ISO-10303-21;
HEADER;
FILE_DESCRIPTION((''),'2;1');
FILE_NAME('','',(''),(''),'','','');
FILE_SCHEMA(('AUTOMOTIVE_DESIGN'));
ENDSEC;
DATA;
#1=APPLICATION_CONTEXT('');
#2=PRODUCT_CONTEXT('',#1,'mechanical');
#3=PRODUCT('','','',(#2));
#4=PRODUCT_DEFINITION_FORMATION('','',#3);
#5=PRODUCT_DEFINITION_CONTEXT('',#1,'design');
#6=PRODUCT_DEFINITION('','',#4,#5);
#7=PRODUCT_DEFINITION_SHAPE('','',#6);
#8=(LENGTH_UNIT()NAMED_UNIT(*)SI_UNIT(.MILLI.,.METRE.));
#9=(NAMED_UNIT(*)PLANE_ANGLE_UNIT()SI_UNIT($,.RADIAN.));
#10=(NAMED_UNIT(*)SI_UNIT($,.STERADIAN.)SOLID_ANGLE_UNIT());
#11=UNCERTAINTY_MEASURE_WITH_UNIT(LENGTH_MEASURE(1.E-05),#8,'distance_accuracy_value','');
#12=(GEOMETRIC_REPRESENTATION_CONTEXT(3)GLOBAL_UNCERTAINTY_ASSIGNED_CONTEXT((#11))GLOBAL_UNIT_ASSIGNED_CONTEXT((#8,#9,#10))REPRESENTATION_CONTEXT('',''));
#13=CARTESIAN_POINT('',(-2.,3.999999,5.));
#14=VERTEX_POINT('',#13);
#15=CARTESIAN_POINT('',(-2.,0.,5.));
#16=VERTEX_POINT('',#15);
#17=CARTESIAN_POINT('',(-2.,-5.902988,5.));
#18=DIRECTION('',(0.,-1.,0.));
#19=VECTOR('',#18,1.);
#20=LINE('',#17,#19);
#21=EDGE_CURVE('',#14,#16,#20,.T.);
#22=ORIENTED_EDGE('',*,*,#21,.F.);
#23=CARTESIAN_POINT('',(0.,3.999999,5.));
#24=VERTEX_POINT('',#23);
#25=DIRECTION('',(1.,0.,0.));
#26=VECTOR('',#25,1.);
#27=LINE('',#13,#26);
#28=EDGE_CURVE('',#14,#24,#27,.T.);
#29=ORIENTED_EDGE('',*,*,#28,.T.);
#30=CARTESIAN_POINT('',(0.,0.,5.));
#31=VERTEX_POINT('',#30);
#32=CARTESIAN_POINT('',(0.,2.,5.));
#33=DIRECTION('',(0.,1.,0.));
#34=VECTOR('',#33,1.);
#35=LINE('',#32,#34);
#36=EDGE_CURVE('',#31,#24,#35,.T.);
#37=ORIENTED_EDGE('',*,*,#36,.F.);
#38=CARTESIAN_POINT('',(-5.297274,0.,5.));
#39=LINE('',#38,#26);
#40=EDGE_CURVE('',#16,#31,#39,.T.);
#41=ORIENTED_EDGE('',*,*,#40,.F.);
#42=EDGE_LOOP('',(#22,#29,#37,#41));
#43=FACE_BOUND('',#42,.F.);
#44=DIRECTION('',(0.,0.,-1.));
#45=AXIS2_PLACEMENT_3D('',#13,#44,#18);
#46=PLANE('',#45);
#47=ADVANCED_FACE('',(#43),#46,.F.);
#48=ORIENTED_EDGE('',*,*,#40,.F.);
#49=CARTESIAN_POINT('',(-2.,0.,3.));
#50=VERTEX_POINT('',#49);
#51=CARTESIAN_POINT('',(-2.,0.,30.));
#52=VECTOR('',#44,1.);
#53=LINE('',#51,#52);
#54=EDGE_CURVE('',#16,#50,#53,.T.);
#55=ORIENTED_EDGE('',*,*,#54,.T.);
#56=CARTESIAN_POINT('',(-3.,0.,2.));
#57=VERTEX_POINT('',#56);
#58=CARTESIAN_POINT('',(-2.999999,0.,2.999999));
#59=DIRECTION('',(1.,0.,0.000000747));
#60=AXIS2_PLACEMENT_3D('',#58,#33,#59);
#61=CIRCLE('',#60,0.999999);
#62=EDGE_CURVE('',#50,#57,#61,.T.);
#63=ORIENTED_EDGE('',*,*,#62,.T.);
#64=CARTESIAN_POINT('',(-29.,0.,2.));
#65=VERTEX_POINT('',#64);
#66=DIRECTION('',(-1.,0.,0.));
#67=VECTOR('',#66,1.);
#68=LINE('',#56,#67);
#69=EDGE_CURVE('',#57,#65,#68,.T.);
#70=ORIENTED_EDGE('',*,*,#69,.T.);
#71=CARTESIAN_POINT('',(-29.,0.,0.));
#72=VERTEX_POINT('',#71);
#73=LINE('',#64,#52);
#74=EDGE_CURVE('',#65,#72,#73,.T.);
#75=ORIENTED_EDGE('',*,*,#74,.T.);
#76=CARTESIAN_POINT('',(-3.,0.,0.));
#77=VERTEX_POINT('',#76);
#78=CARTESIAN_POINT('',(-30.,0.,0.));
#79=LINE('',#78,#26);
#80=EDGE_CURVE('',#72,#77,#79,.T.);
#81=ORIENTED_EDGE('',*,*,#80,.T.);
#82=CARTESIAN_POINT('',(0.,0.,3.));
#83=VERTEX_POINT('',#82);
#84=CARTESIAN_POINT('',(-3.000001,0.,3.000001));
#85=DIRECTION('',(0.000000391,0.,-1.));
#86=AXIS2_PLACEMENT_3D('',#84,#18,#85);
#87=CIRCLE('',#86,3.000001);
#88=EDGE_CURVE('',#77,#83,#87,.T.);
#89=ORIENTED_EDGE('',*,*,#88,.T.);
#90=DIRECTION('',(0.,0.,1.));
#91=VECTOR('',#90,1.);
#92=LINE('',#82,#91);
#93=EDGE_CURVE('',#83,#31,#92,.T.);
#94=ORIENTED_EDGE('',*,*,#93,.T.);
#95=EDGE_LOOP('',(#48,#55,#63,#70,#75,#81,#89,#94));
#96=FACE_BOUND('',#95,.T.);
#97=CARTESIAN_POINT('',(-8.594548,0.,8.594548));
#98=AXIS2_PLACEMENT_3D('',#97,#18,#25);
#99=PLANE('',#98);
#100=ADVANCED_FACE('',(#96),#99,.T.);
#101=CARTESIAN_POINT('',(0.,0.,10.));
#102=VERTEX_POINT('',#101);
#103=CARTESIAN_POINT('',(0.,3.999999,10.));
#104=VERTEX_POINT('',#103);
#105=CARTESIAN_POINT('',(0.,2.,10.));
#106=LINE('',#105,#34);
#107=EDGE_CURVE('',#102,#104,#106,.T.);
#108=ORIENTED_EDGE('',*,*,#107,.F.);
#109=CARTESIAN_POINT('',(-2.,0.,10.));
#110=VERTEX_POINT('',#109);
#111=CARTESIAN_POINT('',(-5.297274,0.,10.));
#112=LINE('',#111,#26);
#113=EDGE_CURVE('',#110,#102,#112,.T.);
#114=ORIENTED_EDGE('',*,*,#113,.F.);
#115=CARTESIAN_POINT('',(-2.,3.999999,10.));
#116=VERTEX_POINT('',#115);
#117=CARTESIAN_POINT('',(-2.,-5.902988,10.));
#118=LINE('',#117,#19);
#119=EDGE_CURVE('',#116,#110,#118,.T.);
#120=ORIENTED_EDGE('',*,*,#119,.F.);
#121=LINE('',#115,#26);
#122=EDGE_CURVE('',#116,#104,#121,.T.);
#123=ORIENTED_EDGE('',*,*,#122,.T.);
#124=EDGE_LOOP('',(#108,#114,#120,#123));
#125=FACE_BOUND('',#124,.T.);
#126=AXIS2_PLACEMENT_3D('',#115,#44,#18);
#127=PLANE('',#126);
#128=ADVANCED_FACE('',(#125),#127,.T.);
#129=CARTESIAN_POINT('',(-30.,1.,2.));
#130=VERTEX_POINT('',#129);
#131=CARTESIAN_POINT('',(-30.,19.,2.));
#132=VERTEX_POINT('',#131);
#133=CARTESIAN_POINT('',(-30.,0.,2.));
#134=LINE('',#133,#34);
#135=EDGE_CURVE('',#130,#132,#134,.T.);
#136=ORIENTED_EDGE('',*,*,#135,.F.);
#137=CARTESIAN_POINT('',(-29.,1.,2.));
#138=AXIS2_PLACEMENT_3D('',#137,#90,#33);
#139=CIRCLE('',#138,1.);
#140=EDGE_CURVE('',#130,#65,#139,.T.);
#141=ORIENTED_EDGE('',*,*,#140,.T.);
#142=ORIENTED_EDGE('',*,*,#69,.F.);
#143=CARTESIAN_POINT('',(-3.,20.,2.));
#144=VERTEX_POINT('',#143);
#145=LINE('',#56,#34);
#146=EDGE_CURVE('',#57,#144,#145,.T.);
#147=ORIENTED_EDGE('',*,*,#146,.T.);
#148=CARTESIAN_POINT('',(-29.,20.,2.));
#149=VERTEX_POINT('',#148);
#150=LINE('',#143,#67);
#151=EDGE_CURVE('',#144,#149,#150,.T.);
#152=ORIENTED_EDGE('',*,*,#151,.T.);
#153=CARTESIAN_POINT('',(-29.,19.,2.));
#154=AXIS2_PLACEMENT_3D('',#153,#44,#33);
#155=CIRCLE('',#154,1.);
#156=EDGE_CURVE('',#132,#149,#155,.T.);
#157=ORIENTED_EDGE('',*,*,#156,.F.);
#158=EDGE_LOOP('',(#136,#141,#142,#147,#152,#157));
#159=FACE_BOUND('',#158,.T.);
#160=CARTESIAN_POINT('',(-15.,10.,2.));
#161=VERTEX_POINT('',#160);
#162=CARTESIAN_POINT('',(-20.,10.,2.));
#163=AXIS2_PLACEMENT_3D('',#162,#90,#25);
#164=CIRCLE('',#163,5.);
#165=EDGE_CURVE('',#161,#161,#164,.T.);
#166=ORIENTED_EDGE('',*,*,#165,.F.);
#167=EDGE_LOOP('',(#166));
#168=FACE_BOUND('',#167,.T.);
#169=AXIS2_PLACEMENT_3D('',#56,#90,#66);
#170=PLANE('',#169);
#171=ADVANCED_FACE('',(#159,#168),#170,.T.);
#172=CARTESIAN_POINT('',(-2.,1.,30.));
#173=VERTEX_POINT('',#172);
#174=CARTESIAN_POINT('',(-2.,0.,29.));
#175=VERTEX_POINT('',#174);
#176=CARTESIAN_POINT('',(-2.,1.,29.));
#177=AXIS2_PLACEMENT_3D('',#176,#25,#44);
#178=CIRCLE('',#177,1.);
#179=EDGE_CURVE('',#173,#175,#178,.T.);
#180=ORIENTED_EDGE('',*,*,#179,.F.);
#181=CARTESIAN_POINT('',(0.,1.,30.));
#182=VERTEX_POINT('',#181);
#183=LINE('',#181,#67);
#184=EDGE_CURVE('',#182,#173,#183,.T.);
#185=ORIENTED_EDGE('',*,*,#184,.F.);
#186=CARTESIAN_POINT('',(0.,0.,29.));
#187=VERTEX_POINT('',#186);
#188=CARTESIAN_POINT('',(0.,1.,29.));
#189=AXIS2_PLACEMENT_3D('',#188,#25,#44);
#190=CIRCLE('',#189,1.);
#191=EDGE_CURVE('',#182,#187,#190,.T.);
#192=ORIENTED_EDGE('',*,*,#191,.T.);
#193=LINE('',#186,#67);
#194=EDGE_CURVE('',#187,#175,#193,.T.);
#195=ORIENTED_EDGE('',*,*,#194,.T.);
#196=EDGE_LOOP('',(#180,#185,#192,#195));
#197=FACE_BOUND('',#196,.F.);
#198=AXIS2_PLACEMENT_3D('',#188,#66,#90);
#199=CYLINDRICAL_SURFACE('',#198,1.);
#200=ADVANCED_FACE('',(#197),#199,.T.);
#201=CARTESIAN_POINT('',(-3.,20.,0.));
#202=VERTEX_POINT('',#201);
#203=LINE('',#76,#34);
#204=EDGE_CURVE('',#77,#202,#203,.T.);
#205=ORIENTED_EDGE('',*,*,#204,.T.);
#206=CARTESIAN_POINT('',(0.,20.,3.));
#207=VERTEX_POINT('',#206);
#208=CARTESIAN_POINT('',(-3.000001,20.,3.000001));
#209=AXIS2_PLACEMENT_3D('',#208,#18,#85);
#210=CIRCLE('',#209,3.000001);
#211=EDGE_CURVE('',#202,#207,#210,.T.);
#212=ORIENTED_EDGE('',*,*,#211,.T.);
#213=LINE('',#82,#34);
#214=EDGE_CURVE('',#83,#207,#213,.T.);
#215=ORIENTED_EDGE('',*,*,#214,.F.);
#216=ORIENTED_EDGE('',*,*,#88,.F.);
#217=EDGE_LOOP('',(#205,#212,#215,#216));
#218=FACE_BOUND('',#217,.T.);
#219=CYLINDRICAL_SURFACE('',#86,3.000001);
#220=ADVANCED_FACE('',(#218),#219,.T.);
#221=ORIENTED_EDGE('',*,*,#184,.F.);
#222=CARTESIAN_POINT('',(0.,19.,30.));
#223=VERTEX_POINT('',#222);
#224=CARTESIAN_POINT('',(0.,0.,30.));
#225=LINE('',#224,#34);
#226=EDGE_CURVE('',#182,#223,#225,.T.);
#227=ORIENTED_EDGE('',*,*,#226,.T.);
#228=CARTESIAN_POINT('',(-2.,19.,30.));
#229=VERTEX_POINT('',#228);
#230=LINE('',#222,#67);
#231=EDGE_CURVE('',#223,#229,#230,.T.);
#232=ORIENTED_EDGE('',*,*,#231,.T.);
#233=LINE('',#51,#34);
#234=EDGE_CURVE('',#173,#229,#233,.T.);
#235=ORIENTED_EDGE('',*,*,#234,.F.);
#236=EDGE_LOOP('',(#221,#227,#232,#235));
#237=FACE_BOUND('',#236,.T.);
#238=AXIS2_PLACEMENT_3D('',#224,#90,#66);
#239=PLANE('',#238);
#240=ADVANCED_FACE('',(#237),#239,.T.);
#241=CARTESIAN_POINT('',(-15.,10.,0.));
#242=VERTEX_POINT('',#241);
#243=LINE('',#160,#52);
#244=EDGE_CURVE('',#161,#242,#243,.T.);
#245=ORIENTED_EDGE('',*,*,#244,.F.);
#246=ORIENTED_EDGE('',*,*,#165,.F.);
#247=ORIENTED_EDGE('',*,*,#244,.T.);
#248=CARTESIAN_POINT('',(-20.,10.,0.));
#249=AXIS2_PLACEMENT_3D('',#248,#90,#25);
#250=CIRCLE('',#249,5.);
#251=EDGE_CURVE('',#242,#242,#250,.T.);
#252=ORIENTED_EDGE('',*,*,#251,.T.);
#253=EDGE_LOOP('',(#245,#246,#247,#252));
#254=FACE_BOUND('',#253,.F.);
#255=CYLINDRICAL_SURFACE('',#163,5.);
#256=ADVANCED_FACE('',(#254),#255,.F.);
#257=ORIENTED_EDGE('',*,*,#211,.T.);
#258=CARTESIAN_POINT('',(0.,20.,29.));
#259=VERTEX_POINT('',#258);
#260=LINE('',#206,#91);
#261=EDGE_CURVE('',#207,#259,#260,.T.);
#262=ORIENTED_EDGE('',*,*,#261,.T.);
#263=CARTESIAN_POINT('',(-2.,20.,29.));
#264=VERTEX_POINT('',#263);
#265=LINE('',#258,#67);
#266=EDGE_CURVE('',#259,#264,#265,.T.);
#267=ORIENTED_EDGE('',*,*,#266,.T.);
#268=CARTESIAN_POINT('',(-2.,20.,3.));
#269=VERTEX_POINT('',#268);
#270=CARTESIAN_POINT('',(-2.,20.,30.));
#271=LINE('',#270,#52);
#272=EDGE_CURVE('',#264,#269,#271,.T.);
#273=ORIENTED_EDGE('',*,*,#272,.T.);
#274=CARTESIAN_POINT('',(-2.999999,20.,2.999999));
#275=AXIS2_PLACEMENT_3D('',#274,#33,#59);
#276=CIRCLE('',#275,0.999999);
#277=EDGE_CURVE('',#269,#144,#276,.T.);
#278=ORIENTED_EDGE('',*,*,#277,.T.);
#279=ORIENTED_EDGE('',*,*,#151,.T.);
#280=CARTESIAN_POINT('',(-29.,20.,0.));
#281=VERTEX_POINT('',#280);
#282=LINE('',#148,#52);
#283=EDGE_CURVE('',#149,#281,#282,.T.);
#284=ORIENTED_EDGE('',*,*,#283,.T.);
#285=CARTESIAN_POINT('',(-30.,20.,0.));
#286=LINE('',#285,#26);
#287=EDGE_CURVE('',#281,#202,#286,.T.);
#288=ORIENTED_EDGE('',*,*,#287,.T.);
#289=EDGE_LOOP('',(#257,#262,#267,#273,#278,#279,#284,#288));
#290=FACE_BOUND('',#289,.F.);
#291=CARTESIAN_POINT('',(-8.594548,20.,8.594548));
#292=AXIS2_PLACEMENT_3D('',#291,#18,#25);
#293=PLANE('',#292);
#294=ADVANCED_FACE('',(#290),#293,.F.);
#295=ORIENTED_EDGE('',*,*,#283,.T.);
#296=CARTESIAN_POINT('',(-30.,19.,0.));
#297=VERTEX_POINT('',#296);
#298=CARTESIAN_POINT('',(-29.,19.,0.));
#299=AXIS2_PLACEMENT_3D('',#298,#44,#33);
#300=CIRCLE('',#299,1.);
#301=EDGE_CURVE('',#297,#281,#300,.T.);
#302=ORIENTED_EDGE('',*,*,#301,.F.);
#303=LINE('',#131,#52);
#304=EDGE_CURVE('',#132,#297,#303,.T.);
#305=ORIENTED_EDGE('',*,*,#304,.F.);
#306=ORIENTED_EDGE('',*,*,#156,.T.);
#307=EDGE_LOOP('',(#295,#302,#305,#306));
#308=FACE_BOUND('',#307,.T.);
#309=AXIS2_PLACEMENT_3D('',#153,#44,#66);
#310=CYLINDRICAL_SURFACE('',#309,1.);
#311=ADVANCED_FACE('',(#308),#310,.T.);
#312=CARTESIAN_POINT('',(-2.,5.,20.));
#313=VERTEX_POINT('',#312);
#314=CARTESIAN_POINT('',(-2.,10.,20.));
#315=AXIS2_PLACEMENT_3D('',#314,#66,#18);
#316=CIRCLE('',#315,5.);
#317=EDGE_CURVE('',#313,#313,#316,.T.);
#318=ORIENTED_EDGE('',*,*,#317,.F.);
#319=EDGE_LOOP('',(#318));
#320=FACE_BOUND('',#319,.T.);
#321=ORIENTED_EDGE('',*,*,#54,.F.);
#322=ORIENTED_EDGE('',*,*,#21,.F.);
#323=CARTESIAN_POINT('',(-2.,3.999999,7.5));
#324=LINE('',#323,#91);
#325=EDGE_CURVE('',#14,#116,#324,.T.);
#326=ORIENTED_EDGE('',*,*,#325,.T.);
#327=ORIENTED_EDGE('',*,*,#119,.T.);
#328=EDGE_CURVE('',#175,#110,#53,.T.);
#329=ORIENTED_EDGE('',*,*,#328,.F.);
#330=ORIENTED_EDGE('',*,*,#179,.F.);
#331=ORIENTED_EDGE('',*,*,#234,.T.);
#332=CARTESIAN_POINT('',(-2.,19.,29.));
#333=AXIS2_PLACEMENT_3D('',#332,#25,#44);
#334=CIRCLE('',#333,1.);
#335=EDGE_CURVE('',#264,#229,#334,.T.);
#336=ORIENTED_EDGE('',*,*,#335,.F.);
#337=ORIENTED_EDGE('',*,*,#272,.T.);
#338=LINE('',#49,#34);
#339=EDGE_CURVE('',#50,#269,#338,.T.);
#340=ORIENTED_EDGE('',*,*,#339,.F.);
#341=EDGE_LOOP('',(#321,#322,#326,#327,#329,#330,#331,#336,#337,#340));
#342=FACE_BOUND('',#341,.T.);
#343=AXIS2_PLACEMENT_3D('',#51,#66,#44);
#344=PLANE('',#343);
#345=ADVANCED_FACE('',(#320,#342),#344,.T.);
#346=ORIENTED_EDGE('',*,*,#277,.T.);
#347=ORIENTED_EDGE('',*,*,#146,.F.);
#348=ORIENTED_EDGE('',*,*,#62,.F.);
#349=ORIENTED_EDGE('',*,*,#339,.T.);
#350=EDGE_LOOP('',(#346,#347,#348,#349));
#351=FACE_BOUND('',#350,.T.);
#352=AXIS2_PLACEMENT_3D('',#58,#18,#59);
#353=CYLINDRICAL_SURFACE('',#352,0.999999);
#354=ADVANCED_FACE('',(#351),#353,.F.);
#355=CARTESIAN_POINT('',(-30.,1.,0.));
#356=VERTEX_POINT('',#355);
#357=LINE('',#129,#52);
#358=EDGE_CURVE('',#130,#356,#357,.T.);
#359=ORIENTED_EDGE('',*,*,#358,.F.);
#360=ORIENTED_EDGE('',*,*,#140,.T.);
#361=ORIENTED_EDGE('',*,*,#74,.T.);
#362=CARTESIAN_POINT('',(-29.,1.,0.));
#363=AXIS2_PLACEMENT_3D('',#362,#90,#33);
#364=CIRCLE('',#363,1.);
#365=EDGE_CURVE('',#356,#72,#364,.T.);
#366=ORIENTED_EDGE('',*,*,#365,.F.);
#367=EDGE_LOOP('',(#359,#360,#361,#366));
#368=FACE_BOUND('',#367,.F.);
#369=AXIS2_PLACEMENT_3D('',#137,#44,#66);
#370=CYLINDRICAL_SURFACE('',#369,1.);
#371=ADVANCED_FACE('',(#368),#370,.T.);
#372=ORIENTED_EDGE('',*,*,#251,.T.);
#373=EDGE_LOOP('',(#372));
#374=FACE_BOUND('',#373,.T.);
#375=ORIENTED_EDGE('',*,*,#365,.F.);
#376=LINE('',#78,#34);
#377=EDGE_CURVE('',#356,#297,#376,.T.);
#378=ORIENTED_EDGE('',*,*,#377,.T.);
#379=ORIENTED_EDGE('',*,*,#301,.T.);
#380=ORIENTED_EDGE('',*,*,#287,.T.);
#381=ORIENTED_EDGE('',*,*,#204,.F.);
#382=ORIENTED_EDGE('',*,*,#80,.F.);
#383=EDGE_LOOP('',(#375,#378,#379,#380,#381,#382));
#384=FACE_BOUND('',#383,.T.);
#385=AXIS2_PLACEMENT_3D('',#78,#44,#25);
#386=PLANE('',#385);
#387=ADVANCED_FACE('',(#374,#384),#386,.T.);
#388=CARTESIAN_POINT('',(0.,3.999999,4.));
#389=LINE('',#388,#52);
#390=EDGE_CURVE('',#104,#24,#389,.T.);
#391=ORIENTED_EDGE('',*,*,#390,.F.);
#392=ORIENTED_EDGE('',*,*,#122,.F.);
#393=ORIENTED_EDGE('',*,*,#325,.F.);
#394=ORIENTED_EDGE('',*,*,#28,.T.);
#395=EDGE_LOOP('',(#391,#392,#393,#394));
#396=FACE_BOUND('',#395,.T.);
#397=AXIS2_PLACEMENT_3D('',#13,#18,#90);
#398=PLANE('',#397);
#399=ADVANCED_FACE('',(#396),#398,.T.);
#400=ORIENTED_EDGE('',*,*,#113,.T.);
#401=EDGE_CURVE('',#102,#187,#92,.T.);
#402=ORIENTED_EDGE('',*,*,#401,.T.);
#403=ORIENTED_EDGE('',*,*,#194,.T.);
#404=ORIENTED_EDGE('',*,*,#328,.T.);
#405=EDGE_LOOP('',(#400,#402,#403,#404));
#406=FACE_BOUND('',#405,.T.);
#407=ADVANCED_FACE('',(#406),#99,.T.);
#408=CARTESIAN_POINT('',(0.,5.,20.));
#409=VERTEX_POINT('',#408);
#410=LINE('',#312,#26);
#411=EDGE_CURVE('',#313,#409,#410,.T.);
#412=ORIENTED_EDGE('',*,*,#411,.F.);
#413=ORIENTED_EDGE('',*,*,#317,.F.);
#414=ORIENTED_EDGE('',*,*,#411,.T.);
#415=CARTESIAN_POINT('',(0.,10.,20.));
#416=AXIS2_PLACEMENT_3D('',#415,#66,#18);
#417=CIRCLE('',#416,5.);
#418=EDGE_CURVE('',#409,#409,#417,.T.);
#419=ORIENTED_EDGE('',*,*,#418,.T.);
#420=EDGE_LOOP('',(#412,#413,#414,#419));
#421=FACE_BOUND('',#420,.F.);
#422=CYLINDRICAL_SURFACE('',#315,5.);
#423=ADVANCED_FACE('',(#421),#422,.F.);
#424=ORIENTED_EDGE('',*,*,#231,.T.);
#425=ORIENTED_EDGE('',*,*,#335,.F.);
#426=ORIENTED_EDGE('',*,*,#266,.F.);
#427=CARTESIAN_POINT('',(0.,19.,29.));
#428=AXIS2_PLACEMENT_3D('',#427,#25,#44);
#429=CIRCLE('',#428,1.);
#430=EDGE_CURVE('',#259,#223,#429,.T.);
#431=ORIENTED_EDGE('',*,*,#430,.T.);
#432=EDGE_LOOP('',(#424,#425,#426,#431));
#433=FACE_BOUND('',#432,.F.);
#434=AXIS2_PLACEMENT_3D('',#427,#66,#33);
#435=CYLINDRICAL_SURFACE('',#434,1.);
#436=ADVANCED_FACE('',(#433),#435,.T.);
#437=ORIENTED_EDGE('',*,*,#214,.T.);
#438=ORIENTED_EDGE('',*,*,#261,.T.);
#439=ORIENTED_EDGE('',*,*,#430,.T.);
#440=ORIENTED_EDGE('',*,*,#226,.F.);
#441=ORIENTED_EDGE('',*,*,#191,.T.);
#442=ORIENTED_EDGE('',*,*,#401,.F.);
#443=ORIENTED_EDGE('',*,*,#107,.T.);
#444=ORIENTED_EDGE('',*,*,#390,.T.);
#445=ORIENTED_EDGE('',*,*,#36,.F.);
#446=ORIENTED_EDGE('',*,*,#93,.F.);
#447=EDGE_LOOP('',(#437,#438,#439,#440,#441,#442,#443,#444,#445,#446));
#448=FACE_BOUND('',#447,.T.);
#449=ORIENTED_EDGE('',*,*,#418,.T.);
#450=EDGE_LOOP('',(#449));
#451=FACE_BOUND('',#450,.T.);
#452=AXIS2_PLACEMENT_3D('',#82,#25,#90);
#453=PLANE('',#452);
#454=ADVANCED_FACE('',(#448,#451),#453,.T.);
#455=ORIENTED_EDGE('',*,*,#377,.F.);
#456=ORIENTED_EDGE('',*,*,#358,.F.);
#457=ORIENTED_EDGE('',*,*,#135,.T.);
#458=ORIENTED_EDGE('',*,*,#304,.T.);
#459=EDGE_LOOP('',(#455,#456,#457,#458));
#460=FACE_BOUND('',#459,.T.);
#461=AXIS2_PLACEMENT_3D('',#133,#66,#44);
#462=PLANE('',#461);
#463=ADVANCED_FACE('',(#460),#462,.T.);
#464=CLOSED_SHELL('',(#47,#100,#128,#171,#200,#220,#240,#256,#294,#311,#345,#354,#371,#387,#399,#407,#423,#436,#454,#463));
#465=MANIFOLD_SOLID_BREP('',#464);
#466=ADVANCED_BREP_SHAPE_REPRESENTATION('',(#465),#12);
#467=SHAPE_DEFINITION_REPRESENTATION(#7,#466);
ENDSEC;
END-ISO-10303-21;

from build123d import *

# Parameters (mm, degrees)
F1_DEPTH = 20
F2_W     = 19.805975
F2_H     = 5
F3_DEPTH = 2.001
F4_R     = 5
F5_DEPTH = 2.001
F6_R     = 5
F7_DEPTH = 2.001
F8_R     = 1


with BuildPart() as f1:
    # F0 (on Front) → F1 (new body)
    with BuildSketch(Plane.XZ):
        with BuildLine():
            Line((-30, 2), (-30, 0))
            Line((-30, 0), (-3, 0))
            ThreePointArc((-3, 0), (-0.87868, 0.87868), (0, 3))
            Line((0, 3), (0, 30))
            Line((0, 30), (-2, 30))
            Line((-2, 30), (-2, 3))
            ThreePointArc((-2, 3), (-2.292893, 2.292893), (-3, 2))
            Line((-3, 2), (-30, 2))
        make_face()
    extrude(amount=-F1_DEPTH)

    # F2 (on face) → F3 (cut, through all)
    with BuildSketch(Plane(origin=(-2, 0, 0), x_dir=(0, -1, 0), z_dir=(-1, 0, 0))):
        with Locations((5.902988, 7.5)):
            Rectangle(F2_W, F2_H)
    extrude(amount=-F3_DEPTH, mode=Mode.SUBTRACT)

    # F4 (on face) → F5 (cut, through all)
    with BuildSketch(Plane.XY.offset(2)):
        with Locations((-20, 10)):
            Circle(F4_R)
    extrude(amount=-F5_DEPTH, mode=Mode.SUBTRACT)

    # F6 (on face) → F7 (cut, through all)
    with BuildSketch(Plane(origin=(-2, 0, 0), x_dir=(0, -1, 0), z_dir=(-1, 0, 0))):
        with Locations((-10, 20)):
            Circle(F6_R)
    extrude(amount=-F7_DEPTH, mode=Mode.SUBTRACT)

    # F8
    f8_edges = [f1.edges().sort_by_distance(p)[0] for p in [
        (-30, 20, 1),
        (-30, 0, 1),
        (-1, 0, 30),
        (-1, 20, 30),
    ]]
    fillet(f8_edges, radius=F8_R)


solid = f1.part
